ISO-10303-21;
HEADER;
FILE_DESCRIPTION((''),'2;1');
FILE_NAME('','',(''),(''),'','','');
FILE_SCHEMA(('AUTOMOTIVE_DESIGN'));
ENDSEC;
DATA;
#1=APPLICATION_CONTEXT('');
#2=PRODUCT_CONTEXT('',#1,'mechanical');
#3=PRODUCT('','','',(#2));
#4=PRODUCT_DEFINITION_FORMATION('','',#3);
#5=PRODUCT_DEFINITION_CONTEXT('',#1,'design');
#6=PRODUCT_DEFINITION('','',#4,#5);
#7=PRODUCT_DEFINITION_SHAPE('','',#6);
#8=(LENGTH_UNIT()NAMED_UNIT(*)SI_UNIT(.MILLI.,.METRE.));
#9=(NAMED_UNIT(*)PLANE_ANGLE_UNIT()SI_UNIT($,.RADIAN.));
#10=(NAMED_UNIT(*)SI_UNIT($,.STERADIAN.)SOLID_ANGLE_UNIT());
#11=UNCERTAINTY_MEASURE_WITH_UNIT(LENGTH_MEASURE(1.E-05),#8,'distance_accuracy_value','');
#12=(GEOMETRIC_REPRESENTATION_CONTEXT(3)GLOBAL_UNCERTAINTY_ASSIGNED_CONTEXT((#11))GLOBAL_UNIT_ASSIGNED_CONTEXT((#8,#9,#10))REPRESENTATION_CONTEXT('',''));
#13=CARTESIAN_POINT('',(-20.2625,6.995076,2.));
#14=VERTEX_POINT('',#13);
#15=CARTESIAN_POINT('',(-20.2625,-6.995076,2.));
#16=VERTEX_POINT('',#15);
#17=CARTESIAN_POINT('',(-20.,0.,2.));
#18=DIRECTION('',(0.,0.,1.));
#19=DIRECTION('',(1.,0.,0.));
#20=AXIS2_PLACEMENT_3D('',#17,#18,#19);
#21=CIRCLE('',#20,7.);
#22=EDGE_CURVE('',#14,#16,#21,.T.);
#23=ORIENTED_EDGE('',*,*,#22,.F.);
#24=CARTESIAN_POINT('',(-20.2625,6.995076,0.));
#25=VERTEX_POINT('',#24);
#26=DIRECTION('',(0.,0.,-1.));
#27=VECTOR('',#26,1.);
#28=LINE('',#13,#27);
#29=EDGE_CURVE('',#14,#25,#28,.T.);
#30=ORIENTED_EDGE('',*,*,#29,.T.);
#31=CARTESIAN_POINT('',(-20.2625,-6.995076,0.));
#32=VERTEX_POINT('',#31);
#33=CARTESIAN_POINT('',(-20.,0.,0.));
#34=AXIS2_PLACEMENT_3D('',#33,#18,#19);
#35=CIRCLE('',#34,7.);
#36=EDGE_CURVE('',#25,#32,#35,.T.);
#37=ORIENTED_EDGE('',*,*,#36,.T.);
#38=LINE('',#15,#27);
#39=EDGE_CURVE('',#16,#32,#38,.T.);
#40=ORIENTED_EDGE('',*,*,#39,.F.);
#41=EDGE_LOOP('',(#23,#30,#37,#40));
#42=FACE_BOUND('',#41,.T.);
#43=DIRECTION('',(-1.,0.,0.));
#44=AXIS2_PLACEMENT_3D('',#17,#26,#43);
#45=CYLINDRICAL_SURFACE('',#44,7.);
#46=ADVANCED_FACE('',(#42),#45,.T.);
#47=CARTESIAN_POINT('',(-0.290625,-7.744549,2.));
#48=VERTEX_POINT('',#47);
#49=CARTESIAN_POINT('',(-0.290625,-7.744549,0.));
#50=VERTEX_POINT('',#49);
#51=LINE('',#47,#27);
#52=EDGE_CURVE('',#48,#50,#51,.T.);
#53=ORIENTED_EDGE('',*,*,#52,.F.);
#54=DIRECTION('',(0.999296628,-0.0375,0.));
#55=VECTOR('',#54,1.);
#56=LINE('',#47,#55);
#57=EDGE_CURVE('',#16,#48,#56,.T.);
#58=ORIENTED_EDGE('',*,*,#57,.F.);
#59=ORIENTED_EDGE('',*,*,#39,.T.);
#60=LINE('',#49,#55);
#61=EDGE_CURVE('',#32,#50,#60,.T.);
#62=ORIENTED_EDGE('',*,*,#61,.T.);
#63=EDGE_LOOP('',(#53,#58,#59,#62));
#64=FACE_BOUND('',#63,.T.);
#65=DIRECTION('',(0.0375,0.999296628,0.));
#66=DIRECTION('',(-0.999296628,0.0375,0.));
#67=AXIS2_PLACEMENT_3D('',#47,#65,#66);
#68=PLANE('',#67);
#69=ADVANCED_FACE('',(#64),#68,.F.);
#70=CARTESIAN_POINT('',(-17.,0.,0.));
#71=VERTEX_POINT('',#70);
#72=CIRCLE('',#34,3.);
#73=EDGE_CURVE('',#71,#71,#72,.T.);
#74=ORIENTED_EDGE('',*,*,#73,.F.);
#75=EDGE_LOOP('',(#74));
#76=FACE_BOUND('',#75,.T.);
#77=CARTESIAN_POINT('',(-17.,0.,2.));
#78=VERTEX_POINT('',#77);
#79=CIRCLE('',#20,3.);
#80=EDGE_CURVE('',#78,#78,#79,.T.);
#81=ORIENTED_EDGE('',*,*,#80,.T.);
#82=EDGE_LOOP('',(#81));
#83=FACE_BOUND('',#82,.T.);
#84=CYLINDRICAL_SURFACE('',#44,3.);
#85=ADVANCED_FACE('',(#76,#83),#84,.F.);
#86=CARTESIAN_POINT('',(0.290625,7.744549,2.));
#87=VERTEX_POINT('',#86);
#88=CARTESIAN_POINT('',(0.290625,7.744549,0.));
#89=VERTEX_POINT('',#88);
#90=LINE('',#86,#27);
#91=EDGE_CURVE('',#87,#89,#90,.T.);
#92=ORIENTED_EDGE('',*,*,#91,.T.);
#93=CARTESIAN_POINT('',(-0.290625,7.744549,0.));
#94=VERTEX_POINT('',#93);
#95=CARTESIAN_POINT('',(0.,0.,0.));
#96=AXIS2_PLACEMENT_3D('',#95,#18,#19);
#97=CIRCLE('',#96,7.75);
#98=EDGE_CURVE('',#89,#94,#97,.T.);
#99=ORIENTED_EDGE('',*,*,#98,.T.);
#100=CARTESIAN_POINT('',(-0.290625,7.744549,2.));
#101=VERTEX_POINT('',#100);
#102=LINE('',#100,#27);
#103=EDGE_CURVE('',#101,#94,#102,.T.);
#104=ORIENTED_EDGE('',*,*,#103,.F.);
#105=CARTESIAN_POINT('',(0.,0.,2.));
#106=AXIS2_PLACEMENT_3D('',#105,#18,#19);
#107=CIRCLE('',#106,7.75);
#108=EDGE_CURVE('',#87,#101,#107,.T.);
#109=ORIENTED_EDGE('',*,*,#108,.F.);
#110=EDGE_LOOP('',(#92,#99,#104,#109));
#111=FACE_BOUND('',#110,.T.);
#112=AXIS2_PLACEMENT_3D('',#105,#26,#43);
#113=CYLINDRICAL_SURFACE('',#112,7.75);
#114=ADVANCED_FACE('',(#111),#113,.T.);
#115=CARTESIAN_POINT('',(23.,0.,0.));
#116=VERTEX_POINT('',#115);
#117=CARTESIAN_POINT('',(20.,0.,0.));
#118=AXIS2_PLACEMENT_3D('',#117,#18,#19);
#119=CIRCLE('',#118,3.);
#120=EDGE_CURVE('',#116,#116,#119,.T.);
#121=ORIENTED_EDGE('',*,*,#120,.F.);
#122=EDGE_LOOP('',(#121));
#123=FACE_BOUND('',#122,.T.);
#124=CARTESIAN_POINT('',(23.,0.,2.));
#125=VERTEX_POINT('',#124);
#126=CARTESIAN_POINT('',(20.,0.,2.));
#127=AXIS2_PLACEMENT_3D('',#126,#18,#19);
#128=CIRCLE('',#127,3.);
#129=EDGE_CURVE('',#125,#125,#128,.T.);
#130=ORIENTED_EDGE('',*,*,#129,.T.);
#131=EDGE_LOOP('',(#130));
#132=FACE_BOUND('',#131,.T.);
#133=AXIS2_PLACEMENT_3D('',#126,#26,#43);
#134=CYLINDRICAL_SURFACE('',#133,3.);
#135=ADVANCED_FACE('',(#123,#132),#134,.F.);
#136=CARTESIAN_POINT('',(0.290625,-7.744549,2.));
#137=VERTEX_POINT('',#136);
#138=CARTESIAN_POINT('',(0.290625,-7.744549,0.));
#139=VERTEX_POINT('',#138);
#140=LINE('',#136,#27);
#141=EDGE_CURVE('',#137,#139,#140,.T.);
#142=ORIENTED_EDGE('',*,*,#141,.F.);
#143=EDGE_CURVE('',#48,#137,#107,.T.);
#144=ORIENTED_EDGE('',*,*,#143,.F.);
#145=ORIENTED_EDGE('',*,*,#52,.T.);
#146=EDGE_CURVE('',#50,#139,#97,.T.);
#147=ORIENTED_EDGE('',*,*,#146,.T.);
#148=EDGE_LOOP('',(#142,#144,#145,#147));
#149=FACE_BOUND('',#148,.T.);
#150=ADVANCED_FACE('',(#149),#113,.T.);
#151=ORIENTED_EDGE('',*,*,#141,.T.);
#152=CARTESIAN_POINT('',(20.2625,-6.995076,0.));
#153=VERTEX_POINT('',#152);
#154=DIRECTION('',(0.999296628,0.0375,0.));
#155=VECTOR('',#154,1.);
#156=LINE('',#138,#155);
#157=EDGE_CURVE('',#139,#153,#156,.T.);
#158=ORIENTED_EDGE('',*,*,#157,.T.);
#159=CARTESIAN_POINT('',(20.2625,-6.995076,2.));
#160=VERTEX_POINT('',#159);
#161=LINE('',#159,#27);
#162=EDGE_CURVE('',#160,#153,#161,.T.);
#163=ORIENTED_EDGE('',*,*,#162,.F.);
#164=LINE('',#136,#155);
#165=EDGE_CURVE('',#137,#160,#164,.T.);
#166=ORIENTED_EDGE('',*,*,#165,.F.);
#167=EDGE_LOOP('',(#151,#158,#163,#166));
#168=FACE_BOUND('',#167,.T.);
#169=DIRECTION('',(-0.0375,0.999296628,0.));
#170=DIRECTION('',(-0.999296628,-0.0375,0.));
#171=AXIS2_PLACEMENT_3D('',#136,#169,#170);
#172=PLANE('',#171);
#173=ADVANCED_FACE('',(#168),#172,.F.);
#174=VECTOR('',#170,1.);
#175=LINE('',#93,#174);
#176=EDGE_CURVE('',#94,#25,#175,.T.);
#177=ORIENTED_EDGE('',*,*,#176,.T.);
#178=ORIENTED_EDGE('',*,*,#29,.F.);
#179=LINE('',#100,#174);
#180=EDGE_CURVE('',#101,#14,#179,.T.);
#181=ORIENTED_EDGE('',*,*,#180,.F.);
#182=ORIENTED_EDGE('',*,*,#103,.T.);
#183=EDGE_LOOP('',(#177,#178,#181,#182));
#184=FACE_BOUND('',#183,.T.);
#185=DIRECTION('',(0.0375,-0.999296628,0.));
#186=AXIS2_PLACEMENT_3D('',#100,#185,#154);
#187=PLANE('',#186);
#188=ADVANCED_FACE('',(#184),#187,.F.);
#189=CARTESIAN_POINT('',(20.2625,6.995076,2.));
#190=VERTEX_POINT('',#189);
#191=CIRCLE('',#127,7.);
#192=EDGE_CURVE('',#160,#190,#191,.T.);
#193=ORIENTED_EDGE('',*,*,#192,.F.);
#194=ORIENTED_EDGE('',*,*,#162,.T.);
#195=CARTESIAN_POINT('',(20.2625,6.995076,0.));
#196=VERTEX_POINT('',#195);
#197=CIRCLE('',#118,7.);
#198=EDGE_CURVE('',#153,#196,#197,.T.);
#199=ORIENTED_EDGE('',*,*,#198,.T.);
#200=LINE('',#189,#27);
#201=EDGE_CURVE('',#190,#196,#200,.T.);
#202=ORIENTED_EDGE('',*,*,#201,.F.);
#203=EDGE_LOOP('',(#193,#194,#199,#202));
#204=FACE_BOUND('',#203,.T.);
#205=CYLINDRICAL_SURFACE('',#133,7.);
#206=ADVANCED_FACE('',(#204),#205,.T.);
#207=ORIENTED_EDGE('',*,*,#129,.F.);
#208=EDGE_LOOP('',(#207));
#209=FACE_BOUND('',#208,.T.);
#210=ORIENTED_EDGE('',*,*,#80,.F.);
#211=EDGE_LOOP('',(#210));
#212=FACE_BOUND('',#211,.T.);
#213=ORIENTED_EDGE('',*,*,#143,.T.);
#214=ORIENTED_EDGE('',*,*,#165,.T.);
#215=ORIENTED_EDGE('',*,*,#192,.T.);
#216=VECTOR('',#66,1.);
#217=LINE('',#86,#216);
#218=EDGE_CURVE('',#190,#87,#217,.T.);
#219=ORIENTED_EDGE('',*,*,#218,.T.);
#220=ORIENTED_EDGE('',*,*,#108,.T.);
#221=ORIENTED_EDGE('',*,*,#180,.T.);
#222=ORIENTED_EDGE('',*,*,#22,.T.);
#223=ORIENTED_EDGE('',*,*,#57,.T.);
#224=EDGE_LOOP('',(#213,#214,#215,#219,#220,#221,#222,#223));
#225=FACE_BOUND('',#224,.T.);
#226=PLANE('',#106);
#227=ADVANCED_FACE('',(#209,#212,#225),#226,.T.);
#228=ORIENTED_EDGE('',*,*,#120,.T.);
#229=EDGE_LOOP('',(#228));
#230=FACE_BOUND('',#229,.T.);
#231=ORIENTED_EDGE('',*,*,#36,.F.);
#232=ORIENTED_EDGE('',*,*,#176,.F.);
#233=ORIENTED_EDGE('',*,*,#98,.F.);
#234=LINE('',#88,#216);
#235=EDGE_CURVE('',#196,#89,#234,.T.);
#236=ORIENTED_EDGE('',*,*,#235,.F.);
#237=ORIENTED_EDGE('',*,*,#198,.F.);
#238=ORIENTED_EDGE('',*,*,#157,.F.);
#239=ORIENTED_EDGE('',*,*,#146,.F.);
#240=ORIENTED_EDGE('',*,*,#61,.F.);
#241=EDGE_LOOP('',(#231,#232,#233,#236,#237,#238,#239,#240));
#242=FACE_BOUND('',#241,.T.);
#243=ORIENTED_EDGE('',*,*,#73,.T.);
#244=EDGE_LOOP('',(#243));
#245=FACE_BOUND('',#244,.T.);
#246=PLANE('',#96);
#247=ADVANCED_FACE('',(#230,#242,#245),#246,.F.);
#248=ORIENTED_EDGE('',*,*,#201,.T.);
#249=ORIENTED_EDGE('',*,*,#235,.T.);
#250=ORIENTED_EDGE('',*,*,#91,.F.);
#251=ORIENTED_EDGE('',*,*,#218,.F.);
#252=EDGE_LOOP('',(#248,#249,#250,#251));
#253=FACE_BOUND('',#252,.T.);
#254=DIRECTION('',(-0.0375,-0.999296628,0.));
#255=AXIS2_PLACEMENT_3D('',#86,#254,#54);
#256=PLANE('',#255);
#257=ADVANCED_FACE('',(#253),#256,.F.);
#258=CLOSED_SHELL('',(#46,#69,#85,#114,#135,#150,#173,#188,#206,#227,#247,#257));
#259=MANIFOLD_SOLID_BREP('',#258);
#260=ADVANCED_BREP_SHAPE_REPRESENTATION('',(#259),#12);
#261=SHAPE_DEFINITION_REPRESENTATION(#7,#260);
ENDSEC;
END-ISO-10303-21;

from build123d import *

# Parameters (mm, degrees)
SZKIC1_R                    = 3
DODANIE_WYCI_GNI_CIE1_DEPTH = 2


with BuildPart() as part:
    # Szkic1 → Dodanie-wyciągnięcie1 (new body)
    with BuildSketch(Plane.XY):
        with BuildLine():
            Line((-0.290625, 7.744548864), (-20.2625, 6.995076393))
            ThreePointArc((-20.2625, 6.995076393), (-27, 0), (-20.2625, -6.995076393))
            Line((-20.2625, -6.995076393), (-0.290625, -7.744548864))
            ThreePointArc((-0.290625, -7.744548864), (0, -7.75), (0.290625, -7.744548864))
            Line((0.290625, -7.744548864), (20.2625, -6.995076393))
            ThreePointArc((20.2625, -6.995076393), (27, 0), (20.2625, 6.995076393))
            Line((20.2625, 6.995076393), (0.290625, 7.744548864))
            ThreePointArc((0.290625, 7.744548864), (0, 7.75), (-0.290625, 7.744548864))
        make_face()
        with Locations((-20, 0)):
            Circle(SZKIC1_R, mode=Mode.SUBTRACT)
        with Locations((20, 0)):
            Circle(SZKIC1_R, mode=Mode.SUBTRACT)
    extrude(amount=DODANIE_WYCI_GNI_CIE1_DEPTH)


solid = part.part
